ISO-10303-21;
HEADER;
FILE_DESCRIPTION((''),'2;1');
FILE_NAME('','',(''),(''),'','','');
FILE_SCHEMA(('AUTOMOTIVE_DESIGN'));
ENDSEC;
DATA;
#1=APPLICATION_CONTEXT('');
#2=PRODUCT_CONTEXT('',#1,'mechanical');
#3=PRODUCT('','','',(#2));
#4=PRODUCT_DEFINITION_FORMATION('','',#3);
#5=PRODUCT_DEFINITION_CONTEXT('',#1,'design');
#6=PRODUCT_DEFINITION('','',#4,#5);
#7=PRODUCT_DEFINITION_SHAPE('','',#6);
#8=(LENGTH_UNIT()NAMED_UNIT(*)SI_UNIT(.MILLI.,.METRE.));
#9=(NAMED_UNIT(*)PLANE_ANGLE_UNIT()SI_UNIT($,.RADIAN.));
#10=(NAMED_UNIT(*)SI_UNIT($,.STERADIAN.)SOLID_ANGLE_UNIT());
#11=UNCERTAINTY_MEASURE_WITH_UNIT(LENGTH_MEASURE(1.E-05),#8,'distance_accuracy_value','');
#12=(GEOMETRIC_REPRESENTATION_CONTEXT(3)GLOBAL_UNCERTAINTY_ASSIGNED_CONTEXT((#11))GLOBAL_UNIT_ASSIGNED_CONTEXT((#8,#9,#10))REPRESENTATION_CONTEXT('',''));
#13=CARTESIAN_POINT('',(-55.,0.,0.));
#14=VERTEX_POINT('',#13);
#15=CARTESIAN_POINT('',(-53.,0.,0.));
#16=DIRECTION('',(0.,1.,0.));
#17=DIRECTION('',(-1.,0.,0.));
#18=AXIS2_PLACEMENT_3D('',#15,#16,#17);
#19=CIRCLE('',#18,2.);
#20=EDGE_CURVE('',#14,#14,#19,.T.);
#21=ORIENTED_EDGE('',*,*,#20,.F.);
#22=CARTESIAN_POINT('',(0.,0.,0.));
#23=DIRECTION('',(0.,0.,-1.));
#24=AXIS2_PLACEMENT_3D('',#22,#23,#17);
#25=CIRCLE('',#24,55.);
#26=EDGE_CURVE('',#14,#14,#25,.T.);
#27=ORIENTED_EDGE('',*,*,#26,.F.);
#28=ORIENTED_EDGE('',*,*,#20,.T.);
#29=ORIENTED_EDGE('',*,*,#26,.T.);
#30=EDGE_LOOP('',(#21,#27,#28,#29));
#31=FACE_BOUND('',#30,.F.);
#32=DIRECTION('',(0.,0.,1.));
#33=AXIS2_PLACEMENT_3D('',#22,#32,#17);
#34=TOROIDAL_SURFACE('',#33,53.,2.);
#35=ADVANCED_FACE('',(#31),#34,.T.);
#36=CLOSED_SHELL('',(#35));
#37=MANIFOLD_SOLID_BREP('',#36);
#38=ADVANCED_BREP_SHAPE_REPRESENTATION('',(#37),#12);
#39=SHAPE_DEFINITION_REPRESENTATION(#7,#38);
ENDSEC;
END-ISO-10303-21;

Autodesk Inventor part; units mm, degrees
ref_plane "YZ Plane" through (0, 0, 0) normal (1, 0, 0) x (0, 1, 0)
ref_plane "XZ Plane" through (0, 0, 0) normal (0, 1, 0) x (-1, 0, 0)
ref_plane "XY Plane" through (0, 0, 0) normal (0, 0, 1) x (1, 0, 0)
sketch "Sketch1" plane through (0, 0, 0) normal (0, 1, 0) x (-1, 0, 0)
  line L0 (0, 5.4773) -> (0, 0)
  circle A0 centre (53, 0) radius 2
  dimension "d0" = 4
  dimension "d1" = 106
revolve "Revolution1" add sketch "Sketch1" angle 360 about axis through (0, 0, 5.4773) along (0, 0, -1)
properties part number "oring-102-110" material "Rubber, Silicone"
